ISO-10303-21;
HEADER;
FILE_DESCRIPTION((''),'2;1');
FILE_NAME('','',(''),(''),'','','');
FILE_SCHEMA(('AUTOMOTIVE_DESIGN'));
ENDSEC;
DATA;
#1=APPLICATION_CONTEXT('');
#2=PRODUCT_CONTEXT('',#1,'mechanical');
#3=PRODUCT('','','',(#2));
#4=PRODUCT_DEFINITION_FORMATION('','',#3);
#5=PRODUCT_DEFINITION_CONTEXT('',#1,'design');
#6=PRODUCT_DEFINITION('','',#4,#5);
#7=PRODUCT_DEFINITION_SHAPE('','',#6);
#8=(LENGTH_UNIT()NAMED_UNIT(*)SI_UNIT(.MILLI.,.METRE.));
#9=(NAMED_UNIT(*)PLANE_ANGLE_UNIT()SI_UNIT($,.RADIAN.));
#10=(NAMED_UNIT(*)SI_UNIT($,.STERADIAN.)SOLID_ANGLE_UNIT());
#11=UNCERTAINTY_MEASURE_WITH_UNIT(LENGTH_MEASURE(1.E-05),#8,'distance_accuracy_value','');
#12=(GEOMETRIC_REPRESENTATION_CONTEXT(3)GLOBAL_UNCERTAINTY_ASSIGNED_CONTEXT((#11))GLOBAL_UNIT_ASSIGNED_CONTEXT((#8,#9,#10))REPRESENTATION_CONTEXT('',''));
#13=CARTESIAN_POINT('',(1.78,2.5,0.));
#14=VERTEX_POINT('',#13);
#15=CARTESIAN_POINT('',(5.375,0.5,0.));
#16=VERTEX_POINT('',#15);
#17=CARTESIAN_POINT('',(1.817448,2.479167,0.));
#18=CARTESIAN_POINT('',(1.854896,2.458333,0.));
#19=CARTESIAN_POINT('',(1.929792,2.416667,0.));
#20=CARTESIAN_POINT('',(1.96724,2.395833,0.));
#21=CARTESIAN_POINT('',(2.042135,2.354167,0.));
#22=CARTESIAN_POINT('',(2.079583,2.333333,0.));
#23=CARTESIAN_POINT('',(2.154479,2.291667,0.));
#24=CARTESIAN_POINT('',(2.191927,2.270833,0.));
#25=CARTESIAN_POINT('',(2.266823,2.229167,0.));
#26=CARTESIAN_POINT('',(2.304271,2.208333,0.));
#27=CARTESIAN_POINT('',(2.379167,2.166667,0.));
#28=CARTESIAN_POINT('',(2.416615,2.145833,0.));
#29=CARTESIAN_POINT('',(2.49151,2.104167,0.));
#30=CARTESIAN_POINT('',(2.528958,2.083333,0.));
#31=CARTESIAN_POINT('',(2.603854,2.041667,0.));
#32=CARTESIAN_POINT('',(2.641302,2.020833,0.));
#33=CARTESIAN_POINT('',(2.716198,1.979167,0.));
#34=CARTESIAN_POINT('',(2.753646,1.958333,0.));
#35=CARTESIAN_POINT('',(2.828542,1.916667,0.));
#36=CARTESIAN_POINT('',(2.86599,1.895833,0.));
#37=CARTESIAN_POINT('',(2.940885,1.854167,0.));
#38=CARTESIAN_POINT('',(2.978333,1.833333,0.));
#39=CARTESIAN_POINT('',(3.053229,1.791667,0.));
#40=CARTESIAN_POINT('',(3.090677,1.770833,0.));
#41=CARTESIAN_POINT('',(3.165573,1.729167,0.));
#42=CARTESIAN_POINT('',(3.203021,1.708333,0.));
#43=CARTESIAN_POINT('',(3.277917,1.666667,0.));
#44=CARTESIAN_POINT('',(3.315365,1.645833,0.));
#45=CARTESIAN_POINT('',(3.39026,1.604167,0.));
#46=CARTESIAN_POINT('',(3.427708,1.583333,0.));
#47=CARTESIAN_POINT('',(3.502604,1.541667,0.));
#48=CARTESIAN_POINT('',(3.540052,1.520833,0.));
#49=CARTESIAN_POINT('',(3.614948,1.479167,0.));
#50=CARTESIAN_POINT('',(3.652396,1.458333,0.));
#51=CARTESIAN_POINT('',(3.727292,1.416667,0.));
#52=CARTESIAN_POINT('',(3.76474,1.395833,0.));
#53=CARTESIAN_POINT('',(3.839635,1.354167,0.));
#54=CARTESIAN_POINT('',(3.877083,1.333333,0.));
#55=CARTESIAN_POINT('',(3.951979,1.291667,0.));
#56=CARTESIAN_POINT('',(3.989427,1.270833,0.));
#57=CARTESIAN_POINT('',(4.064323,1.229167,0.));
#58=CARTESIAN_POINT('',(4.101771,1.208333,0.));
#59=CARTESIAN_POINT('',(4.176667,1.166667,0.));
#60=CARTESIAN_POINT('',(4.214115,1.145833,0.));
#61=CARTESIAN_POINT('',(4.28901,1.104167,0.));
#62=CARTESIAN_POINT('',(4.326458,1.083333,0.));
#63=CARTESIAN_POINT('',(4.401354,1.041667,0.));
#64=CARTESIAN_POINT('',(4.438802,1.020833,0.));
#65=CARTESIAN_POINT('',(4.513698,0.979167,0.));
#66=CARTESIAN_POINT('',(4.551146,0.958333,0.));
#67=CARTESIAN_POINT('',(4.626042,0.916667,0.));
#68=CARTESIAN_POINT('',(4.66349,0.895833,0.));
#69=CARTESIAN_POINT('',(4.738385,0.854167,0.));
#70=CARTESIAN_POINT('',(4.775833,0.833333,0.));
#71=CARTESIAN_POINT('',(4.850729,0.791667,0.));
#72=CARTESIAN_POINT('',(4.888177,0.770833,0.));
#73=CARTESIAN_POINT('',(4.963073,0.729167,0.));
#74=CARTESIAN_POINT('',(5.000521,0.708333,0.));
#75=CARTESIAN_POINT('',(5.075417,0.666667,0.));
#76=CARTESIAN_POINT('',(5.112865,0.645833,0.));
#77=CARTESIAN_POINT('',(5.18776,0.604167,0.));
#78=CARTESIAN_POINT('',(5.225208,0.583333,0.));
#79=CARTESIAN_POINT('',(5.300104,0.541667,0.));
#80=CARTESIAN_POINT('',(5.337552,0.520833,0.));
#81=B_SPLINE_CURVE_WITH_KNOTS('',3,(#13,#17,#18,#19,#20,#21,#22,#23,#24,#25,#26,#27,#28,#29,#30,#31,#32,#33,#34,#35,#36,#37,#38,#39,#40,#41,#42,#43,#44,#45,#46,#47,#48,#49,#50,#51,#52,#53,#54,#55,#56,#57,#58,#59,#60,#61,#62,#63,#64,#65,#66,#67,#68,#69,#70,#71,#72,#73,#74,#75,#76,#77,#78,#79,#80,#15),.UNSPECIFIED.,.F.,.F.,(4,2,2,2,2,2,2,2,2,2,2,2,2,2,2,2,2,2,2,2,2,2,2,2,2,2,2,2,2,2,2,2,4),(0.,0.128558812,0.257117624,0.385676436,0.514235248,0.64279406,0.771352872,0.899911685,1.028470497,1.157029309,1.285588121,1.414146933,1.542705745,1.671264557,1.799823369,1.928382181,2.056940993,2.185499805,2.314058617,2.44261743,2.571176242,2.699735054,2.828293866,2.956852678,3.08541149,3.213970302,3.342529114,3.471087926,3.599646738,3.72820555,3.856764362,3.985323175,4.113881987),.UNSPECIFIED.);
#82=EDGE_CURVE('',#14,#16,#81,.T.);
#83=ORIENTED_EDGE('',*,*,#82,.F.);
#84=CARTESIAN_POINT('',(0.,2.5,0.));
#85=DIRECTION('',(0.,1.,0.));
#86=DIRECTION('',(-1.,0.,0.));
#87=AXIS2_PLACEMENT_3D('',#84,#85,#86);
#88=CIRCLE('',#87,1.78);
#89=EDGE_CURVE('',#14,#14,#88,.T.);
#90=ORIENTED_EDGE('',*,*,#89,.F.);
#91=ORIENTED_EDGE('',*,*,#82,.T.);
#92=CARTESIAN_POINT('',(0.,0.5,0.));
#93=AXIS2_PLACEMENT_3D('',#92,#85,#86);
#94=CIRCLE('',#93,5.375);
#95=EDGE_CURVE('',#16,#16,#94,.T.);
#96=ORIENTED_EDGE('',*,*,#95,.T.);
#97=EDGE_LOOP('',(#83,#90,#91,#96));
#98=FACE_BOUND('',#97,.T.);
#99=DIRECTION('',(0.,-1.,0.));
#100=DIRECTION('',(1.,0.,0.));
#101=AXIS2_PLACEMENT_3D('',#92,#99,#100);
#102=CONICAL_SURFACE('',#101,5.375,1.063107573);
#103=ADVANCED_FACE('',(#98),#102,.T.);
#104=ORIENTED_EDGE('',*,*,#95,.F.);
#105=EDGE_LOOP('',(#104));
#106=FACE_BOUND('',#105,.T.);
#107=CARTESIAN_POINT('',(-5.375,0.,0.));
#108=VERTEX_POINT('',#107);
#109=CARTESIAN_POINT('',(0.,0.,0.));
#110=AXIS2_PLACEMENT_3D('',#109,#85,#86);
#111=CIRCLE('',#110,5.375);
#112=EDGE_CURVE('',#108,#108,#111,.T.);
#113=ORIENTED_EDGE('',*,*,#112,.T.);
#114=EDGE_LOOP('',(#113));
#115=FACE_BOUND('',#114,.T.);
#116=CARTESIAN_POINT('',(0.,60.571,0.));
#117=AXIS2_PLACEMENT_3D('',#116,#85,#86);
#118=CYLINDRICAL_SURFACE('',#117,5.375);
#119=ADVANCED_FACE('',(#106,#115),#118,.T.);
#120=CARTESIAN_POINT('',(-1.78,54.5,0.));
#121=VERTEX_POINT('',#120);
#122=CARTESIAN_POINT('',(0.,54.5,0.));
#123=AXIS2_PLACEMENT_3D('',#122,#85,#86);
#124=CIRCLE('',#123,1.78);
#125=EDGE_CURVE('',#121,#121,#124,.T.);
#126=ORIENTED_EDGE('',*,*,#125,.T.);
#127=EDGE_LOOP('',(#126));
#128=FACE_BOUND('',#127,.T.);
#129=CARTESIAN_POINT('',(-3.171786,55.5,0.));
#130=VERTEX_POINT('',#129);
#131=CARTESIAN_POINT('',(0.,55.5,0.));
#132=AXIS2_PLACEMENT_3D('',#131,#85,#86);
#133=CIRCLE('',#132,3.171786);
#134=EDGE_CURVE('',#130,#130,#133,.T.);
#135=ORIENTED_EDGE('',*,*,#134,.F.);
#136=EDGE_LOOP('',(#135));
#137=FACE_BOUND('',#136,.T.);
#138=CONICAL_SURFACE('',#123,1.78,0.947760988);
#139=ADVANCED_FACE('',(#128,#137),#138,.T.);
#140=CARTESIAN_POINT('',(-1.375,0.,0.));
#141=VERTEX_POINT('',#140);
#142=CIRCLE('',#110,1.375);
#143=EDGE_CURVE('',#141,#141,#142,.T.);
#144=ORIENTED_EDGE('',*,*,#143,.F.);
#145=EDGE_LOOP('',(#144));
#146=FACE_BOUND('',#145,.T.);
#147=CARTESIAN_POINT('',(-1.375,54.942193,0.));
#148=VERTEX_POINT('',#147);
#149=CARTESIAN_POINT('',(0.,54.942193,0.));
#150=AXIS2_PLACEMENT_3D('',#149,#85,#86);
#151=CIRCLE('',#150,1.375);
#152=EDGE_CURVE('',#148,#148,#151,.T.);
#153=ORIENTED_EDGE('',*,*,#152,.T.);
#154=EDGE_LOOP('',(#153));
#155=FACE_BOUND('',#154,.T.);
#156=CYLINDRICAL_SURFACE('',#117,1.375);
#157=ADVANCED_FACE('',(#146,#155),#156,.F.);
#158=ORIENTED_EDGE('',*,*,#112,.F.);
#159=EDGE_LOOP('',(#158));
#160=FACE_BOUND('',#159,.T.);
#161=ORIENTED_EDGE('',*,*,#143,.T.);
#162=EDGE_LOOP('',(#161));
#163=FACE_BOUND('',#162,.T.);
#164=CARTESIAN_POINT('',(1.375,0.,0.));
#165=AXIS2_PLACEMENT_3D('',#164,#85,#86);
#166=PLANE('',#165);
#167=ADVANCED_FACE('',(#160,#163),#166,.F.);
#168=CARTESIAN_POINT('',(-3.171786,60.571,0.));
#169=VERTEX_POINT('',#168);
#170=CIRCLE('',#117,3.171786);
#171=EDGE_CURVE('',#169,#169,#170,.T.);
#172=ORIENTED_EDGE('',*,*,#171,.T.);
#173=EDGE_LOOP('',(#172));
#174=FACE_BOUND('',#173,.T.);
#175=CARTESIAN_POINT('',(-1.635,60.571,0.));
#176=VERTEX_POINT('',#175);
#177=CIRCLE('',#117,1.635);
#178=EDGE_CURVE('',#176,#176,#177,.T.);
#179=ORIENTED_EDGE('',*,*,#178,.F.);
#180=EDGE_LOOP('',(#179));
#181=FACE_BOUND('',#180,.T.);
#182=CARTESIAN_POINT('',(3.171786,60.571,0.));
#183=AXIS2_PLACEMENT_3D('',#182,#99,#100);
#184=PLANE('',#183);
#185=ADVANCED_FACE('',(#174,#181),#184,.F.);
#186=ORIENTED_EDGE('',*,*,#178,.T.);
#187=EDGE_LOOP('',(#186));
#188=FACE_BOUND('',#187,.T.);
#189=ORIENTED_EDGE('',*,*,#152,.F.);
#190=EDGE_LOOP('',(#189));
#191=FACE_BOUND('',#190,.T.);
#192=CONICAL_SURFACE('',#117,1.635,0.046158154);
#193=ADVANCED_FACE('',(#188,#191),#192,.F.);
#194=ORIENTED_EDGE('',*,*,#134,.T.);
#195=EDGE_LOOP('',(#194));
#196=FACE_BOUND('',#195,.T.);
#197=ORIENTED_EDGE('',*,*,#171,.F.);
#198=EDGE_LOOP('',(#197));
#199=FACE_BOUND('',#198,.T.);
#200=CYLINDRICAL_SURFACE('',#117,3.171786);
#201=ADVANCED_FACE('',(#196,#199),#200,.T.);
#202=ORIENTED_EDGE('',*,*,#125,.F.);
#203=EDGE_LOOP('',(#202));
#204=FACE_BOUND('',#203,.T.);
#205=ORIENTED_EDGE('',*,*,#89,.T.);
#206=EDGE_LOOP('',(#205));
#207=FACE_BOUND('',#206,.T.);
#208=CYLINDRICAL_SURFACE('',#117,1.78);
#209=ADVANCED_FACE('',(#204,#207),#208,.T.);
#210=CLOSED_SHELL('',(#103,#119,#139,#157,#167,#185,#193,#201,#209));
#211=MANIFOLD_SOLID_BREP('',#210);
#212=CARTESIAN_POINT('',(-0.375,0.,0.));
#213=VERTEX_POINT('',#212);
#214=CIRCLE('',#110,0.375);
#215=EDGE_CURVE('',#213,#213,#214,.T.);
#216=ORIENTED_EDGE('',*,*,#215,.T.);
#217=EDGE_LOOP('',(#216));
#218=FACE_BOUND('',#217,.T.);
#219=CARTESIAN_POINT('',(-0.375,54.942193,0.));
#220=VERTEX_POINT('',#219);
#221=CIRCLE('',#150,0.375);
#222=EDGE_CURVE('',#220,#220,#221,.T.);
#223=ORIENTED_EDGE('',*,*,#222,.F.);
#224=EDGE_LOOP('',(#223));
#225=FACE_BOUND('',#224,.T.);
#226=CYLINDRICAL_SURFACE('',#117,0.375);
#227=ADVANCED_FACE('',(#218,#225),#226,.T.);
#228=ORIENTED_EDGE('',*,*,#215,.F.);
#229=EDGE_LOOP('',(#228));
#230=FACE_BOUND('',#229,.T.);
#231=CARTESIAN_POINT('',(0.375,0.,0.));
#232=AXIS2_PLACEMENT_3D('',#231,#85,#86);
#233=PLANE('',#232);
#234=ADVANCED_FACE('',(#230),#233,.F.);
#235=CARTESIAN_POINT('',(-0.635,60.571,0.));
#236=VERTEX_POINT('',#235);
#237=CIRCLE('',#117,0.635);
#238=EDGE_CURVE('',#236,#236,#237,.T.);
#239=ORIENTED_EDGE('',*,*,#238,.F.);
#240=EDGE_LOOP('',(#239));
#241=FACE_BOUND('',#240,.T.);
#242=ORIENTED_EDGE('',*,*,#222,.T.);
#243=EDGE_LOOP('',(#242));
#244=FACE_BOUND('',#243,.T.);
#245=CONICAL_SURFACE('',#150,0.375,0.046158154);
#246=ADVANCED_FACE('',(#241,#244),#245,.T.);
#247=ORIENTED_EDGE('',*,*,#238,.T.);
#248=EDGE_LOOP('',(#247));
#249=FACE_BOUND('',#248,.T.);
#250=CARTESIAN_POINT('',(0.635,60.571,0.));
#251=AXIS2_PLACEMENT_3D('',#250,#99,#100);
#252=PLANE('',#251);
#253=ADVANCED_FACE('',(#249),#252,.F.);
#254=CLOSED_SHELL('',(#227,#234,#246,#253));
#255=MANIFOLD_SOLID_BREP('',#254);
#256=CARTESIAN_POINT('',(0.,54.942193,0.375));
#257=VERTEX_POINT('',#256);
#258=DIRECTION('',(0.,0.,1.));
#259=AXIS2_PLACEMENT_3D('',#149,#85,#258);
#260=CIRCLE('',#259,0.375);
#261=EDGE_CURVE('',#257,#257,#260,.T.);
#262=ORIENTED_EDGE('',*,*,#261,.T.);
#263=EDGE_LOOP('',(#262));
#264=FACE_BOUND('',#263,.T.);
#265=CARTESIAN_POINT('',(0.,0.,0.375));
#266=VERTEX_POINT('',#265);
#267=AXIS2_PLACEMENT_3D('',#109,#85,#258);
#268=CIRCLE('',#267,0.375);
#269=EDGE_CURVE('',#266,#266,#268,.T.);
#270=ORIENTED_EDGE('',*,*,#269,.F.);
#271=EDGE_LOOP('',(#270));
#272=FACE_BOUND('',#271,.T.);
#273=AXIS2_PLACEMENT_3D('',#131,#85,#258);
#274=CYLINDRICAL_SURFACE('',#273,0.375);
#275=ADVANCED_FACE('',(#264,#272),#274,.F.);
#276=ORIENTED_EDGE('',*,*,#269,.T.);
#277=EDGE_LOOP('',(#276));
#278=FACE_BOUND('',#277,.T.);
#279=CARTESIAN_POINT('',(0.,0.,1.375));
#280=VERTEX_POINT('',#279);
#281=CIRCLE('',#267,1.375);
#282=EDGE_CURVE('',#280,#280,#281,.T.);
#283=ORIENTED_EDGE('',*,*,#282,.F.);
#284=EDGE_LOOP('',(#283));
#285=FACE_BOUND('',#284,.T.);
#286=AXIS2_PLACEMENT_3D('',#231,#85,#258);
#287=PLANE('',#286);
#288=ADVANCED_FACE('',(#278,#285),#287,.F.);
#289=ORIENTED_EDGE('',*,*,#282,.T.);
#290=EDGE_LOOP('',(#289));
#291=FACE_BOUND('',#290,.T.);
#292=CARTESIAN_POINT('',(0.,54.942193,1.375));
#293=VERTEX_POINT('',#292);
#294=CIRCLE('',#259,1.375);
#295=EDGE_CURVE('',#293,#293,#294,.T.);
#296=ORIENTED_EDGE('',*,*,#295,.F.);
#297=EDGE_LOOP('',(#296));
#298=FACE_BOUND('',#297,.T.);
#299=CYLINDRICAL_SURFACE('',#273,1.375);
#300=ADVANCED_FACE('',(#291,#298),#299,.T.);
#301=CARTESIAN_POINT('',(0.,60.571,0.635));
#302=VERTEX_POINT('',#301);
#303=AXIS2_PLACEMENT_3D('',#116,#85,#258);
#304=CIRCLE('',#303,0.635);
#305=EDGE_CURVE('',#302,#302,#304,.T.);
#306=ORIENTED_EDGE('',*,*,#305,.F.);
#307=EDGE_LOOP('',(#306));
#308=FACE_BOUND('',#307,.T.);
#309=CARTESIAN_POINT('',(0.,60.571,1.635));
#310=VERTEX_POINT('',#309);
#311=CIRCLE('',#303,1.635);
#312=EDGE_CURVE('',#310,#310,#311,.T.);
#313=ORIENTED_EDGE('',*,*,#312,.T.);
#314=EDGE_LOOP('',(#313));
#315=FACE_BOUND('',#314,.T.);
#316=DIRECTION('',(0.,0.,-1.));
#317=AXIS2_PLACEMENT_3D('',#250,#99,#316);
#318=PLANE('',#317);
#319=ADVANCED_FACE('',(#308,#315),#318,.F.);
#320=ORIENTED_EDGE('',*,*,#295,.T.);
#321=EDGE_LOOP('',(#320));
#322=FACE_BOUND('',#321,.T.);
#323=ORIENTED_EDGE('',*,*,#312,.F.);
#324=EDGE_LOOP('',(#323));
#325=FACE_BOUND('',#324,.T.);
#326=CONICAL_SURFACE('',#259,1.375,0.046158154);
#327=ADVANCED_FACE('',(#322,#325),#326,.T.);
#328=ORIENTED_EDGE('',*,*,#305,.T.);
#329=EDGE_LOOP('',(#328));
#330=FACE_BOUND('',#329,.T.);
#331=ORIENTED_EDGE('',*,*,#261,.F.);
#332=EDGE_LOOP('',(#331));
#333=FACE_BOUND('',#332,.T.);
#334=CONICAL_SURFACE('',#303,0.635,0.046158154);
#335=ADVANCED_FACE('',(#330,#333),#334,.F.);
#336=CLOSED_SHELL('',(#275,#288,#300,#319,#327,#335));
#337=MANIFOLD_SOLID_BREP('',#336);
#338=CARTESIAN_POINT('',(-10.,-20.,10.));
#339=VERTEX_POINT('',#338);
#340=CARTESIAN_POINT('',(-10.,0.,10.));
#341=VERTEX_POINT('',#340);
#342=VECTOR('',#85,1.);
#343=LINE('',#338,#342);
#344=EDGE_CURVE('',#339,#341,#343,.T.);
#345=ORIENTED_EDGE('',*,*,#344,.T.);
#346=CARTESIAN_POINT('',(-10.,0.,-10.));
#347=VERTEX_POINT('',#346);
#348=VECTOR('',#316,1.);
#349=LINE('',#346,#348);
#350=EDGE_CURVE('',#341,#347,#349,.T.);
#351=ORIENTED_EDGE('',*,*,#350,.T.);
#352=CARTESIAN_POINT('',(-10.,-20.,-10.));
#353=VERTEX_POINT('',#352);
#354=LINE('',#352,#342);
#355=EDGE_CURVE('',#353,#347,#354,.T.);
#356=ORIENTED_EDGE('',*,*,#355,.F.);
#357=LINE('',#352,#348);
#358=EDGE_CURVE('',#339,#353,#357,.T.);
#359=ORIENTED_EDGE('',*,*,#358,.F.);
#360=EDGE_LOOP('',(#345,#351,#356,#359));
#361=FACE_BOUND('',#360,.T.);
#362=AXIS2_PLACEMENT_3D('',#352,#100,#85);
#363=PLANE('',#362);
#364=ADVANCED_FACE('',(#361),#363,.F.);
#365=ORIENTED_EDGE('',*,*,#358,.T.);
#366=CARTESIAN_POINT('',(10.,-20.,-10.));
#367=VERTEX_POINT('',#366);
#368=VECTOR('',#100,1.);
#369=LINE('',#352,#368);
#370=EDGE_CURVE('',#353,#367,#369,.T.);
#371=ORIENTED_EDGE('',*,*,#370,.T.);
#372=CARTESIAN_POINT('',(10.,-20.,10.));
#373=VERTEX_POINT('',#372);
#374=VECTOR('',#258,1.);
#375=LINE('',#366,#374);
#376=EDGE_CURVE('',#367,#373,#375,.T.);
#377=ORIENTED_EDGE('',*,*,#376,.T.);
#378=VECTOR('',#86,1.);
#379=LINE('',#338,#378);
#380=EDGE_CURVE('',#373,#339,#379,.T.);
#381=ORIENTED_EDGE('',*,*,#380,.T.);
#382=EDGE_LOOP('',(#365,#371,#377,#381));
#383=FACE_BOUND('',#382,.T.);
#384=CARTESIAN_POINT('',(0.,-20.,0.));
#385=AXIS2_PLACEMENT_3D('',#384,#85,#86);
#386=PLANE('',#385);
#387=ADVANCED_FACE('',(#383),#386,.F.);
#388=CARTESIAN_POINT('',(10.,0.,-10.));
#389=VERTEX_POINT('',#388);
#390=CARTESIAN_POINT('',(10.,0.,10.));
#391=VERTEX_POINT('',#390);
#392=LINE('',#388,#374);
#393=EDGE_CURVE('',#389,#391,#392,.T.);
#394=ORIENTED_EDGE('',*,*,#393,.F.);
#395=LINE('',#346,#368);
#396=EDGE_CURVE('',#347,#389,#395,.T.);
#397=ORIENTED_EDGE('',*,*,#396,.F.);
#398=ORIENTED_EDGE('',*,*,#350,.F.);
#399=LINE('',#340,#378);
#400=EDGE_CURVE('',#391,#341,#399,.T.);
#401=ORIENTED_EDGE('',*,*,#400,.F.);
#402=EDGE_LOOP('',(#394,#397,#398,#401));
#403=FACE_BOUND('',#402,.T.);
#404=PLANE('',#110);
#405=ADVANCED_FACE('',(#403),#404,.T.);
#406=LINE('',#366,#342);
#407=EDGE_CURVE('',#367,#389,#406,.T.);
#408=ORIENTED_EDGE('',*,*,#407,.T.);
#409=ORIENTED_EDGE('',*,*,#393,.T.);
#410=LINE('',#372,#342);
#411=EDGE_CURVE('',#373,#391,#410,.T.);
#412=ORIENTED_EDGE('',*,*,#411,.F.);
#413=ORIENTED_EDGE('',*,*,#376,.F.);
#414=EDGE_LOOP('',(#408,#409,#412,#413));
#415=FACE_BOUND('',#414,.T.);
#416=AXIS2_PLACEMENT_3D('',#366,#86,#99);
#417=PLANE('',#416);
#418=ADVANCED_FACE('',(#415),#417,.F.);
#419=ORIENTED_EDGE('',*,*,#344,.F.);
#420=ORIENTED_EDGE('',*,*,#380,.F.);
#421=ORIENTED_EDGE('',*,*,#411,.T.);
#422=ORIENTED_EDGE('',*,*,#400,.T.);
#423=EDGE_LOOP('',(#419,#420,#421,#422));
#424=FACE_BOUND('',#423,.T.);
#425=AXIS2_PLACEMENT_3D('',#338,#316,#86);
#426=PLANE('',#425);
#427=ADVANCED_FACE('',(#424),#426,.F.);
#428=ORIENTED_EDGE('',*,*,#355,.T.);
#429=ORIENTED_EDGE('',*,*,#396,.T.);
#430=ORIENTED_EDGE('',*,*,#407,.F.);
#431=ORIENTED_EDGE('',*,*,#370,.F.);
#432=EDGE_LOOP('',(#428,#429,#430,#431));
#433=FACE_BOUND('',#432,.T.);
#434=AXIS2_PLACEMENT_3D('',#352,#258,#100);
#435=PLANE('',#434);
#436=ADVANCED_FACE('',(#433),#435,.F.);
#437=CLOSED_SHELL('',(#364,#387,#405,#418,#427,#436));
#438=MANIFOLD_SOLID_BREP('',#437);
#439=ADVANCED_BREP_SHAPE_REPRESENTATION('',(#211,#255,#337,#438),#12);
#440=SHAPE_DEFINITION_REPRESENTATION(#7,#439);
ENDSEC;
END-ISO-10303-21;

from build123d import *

# Parameters (mm, degrees)
CROQUIS4_W              = 20
CROQUIS4_H              = 20
SALIENTE_EXTRUIR1_DEPTH = 20


with BuildPart() as part:
    # Croquis1 → Revolución1 (revolve)
    with BuildSketch(Plane.XY, mode=Mode.PRIVATE) as revoluci_n1_sk:
        Polygon((5.375, 0), (5.375, 0.5), (1.78, 2.5), (1.78, 54.5), (3.171785891, 55.5), (3.171785891, 60.571), (1.635, 60.571), (1.375, 54.942193309), (1.375, 0), align=None)
        Polygon((0.375, 0), (0.375, 54.942193309), (0.635, 60.571), (0.442390715, 60.571), (0, 60.571), (0, 0), align=None)
    revolve(revoluci_n1_sk.sketch.rotate(Axis((0, 60.571, 0), (0, -1, 0)), 180), axis=Axis((0, 60.571, 0), (0, -1, 0)))


with BuildPart() as body_2:
    # Croquis3 → Revolución2 (revolve)
    with BuildSketch(Plane.XY, mode=Mode.PRIVATE) as revoluci_n2_sk:
        Polygon((0.375, 54.942193309), (0.635, 60.571), (1.635, 60.571), (1.375, 54.942193309), (1.375, 0), (0.375, 0), align=None)
    revolve(revoluci_n2_sk.sketch.rotate(Axis((0, 55.5, 0), (0, -1, 0)), 90), axis=Axis((0, 55.5, 0), (0, -1, 0)))


with BuildPart() as body_3:
    # Croquis4 → Saliente-Extruir1 (new body)
    with BuildSketch(Plane.XZ):
        Rectangle(CROQUIS4_W, CROQUIS4_H)
    extrude(amount=SALIENTE_EXTRUIR1_DEPTH)


solid = Compound([part.part, body_2.part, body_3.part])
